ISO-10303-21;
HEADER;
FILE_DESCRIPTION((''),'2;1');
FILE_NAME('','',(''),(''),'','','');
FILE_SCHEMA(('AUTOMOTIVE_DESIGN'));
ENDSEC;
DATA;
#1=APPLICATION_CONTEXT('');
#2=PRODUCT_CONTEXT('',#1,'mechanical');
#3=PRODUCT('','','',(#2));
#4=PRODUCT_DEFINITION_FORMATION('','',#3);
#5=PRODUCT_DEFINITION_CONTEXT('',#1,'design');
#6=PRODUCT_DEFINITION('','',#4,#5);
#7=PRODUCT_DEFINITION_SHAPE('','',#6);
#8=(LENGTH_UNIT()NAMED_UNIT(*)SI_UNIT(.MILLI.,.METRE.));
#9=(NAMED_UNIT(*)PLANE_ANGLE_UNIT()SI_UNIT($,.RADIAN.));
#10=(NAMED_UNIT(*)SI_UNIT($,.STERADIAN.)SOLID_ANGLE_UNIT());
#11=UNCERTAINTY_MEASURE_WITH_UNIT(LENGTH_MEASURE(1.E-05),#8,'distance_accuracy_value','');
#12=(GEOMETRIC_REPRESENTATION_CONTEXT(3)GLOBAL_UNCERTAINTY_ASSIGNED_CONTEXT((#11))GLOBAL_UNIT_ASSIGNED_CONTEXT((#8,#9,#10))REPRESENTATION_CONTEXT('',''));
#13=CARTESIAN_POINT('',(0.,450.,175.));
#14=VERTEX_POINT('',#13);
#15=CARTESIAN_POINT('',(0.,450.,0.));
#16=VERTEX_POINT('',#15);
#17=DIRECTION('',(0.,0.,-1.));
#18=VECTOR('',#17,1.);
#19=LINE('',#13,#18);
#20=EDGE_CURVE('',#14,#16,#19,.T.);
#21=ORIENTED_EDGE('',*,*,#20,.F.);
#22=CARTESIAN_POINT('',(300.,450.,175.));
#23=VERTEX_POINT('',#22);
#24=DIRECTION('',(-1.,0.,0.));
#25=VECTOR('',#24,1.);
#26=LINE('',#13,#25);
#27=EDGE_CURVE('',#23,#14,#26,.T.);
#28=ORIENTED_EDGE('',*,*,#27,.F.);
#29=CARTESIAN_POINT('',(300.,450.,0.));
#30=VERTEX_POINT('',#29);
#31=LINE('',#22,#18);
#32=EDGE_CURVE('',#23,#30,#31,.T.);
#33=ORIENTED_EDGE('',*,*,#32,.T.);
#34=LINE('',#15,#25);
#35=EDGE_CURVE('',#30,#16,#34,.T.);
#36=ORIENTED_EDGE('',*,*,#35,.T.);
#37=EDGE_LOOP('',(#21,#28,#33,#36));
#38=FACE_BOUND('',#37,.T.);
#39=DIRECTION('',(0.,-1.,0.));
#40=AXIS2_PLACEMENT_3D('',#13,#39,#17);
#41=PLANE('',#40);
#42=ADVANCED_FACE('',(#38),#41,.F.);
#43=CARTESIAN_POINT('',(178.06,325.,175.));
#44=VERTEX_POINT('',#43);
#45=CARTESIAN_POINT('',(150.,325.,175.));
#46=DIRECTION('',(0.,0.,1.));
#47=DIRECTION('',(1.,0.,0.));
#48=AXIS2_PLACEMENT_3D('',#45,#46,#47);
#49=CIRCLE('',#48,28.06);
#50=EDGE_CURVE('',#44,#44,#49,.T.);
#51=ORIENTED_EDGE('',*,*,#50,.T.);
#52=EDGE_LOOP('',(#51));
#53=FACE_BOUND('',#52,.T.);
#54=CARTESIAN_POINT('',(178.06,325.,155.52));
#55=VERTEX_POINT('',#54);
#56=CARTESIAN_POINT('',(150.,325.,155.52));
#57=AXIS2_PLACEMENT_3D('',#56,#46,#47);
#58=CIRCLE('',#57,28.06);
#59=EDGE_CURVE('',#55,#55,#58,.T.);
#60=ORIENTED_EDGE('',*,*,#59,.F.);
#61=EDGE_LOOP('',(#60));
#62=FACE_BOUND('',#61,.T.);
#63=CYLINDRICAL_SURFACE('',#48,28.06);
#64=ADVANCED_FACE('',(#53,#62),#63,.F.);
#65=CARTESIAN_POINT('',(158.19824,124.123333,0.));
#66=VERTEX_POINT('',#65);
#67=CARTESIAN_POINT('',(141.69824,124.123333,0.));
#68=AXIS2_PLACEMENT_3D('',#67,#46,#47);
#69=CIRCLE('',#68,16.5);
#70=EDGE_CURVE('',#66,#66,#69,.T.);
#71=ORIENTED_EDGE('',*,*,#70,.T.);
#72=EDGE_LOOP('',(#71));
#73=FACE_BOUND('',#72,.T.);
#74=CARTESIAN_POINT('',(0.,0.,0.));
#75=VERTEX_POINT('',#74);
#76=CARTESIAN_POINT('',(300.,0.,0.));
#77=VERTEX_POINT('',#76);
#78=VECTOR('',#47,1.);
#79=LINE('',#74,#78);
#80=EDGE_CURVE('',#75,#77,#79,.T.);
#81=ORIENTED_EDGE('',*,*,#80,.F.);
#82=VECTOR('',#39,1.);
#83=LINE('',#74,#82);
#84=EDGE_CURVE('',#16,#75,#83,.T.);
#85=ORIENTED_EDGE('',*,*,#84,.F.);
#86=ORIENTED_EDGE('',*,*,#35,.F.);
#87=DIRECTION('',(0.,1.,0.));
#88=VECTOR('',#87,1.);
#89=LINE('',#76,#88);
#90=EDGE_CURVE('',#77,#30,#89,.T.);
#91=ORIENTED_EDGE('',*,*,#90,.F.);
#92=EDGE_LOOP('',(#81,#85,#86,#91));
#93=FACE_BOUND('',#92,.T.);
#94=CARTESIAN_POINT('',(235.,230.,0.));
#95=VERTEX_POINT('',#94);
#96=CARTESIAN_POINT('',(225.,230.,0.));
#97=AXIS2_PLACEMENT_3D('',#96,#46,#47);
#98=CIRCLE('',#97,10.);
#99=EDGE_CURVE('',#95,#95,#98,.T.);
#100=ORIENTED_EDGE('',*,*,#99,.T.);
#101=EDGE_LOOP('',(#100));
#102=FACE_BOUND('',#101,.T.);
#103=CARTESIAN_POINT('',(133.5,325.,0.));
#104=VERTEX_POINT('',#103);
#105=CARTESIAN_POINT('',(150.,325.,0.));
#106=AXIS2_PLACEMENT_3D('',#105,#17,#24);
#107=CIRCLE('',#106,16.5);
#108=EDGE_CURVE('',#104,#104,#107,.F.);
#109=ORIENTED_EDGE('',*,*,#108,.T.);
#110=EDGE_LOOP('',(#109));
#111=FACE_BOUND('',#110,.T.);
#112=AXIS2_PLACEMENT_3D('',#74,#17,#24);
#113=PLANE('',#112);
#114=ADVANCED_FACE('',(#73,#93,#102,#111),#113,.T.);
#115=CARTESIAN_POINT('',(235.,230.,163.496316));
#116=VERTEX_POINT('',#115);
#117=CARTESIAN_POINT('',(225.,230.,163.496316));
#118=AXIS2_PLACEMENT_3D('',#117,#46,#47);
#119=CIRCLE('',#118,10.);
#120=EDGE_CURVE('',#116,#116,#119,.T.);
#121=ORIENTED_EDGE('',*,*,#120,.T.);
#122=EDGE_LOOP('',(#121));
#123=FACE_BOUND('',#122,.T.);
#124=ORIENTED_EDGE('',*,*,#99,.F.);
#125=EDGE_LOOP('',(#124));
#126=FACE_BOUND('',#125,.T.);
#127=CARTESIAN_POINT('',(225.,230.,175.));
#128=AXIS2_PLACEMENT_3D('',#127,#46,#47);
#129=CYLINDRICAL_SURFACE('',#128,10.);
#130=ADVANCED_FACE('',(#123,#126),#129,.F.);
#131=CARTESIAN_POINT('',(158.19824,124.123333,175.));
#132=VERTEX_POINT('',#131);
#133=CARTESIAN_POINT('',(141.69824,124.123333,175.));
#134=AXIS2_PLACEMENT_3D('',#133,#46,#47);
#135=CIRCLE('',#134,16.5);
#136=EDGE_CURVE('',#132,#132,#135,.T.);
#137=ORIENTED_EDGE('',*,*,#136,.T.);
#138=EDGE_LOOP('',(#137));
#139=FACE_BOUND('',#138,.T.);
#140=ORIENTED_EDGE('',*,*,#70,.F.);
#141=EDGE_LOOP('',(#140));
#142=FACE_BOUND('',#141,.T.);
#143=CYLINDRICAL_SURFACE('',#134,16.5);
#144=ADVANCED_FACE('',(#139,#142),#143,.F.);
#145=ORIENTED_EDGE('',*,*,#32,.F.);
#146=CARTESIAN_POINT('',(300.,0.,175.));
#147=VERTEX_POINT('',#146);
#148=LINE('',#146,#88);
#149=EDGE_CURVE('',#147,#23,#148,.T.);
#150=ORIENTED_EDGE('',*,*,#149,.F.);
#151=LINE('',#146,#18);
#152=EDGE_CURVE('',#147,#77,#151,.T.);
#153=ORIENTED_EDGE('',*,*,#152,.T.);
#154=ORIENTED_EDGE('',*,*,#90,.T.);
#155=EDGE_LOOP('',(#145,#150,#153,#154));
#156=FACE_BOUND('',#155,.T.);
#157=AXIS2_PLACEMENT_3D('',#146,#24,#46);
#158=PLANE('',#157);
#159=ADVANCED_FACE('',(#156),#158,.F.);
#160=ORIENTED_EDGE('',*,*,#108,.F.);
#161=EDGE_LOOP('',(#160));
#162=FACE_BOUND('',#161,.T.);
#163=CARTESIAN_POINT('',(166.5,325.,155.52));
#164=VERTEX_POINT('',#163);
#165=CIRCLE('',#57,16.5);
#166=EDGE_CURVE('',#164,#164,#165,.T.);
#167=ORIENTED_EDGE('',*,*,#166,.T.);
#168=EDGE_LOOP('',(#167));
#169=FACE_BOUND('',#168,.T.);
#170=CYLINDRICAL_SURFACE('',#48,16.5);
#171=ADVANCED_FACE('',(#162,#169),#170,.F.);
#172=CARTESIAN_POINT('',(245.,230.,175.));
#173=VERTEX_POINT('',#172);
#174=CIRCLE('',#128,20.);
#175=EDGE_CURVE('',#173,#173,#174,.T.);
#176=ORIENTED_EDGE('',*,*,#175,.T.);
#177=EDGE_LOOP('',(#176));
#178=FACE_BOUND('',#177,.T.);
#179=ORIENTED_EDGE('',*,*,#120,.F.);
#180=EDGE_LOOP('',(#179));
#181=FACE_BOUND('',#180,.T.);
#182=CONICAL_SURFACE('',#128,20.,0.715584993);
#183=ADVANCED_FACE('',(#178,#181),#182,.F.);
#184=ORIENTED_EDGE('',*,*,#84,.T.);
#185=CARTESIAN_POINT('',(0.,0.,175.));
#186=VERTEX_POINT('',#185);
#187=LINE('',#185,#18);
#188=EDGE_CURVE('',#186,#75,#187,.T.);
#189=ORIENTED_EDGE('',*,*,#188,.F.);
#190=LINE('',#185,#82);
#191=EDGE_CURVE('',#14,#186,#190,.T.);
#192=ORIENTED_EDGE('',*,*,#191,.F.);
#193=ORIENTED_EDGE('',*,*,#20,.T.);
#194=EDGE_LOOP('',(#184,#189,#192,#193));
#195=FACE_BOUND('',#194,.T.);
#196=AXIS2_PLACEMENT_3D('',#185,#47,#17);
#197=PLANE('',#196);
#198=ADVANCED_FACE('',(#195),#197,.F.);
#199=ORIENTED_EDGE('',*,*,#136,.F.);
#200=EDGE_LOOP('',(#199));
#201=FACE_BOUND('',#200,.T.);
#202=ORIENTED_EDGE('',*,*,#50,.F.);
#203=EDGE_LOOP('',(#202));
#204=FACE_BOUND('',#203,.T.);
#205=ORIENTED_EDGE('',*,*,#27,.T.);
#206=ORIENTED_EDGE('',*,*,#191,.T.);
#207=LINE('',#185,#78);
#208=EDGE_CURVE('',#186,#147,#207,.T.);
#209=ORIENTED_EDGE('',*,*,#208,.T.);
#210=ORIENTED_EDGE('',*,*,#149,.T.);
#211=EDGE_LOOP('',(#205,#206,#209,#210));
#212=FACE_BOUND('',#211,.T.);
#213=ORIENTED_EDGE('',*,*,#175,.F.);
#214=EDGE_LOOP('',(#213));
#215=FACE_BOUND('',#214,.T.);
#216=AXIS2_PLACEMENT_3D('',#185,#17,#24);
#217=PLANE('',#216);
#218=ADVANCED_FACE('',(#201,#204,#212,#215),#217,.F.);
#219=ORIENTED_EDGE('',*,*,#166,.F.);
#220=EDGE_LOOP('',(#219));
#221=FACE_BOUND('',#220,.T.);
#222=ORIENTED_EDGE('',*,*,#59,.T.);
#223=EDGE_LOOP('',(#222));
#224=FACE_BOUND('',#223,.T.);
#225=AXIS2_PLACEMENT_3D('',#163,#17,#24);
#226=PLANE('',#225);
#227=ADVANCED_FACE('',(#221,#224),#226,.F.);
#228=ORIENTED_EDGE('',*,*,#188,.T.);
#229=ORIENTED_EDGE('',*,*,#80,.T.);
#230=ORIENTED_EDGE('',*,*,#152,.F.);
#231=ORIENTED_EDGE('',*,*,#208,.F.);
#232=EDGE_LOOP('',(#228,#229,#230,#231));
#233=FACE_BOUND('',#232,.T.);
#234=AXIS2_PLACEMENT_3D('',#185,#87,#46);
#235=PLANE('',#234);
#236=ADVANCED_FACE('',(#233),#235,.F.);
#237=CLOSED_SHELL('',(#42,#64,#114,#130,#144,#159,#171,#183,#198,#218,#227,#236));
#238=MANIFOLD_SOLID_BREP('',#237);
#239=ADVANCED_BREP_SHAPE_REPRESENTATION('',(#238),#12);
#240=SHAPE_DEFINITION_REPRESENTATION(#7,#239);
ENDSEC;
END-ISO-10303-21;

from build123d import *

# Parameters (mm, degrees)
SKETCH1_W                                     = 300
SKETCH1_H                                     = 450
BOSS_EXTRUDE1_DEPTH                           = 175
CBORE_FOR_M30_HEX_HEAD_CAP_SCREW1_D           = 33
CBORE_FOR_M30_HEX_HEAD_CAP_SCREW1_CBORE_D     = 56.12
CBORE_FOR_M30_HEX_HEAD_CAP_SCREW1_CBORE_DEPTH = 19.48
M36X3_0_TAPPED_HOLE1_D                        = 33
HOLE1_D                                       = 20
HOLE1_CSINK_D                                 = 40
HOLE1_CSINK_ANGLE                             = 82


with BuildPart() as part:
    # Sketch1 → Boss-Extrude1 (new body)
    with BuildSketch(Plane.XY):
        with Locations((150, 225)):
            Rectangle(SKETCH1_W, SKETCH1_H)
    extrude(amount=BOSS_EXTRUDE1_DEPTH)

    # CBORE for M30 Hex Head Cap Screw1 (through all)
    with Locations(Plane.XY.offset(175)):
        with Locations((150, 325)):
            CounterBoreHole(CBORE_FOR_M30_HEX_HEAD_CAP_SCREW1_D / 2, CBORE_FOR_M30_HEX_HEAD_CAP_SCREW1_CBORE_D / 2, CBORE_FOR_M30_HEX_HEAD_CAP_SCREW1_CBORE_DEPTH)

    # M36x3.0 Tapped Hole1 (through all)
    with Locations(Plane.XY.offset(175)):
        with Locations((141.698240344, 124.123333408)):
            Hole(M36X3_0_TAPPED_HOLE1_D / 2)

    # Hole1 (through all)
    with Locations(Plane.XY.offset(175)):
        with Locations((225, 230)):
            CounterSinkHole(HOLE1_D / 2, HOLE1_CSINK_D / 2, counter_sink_angle=HOLE1_CSINK_ANGLE)


solid = part.part
